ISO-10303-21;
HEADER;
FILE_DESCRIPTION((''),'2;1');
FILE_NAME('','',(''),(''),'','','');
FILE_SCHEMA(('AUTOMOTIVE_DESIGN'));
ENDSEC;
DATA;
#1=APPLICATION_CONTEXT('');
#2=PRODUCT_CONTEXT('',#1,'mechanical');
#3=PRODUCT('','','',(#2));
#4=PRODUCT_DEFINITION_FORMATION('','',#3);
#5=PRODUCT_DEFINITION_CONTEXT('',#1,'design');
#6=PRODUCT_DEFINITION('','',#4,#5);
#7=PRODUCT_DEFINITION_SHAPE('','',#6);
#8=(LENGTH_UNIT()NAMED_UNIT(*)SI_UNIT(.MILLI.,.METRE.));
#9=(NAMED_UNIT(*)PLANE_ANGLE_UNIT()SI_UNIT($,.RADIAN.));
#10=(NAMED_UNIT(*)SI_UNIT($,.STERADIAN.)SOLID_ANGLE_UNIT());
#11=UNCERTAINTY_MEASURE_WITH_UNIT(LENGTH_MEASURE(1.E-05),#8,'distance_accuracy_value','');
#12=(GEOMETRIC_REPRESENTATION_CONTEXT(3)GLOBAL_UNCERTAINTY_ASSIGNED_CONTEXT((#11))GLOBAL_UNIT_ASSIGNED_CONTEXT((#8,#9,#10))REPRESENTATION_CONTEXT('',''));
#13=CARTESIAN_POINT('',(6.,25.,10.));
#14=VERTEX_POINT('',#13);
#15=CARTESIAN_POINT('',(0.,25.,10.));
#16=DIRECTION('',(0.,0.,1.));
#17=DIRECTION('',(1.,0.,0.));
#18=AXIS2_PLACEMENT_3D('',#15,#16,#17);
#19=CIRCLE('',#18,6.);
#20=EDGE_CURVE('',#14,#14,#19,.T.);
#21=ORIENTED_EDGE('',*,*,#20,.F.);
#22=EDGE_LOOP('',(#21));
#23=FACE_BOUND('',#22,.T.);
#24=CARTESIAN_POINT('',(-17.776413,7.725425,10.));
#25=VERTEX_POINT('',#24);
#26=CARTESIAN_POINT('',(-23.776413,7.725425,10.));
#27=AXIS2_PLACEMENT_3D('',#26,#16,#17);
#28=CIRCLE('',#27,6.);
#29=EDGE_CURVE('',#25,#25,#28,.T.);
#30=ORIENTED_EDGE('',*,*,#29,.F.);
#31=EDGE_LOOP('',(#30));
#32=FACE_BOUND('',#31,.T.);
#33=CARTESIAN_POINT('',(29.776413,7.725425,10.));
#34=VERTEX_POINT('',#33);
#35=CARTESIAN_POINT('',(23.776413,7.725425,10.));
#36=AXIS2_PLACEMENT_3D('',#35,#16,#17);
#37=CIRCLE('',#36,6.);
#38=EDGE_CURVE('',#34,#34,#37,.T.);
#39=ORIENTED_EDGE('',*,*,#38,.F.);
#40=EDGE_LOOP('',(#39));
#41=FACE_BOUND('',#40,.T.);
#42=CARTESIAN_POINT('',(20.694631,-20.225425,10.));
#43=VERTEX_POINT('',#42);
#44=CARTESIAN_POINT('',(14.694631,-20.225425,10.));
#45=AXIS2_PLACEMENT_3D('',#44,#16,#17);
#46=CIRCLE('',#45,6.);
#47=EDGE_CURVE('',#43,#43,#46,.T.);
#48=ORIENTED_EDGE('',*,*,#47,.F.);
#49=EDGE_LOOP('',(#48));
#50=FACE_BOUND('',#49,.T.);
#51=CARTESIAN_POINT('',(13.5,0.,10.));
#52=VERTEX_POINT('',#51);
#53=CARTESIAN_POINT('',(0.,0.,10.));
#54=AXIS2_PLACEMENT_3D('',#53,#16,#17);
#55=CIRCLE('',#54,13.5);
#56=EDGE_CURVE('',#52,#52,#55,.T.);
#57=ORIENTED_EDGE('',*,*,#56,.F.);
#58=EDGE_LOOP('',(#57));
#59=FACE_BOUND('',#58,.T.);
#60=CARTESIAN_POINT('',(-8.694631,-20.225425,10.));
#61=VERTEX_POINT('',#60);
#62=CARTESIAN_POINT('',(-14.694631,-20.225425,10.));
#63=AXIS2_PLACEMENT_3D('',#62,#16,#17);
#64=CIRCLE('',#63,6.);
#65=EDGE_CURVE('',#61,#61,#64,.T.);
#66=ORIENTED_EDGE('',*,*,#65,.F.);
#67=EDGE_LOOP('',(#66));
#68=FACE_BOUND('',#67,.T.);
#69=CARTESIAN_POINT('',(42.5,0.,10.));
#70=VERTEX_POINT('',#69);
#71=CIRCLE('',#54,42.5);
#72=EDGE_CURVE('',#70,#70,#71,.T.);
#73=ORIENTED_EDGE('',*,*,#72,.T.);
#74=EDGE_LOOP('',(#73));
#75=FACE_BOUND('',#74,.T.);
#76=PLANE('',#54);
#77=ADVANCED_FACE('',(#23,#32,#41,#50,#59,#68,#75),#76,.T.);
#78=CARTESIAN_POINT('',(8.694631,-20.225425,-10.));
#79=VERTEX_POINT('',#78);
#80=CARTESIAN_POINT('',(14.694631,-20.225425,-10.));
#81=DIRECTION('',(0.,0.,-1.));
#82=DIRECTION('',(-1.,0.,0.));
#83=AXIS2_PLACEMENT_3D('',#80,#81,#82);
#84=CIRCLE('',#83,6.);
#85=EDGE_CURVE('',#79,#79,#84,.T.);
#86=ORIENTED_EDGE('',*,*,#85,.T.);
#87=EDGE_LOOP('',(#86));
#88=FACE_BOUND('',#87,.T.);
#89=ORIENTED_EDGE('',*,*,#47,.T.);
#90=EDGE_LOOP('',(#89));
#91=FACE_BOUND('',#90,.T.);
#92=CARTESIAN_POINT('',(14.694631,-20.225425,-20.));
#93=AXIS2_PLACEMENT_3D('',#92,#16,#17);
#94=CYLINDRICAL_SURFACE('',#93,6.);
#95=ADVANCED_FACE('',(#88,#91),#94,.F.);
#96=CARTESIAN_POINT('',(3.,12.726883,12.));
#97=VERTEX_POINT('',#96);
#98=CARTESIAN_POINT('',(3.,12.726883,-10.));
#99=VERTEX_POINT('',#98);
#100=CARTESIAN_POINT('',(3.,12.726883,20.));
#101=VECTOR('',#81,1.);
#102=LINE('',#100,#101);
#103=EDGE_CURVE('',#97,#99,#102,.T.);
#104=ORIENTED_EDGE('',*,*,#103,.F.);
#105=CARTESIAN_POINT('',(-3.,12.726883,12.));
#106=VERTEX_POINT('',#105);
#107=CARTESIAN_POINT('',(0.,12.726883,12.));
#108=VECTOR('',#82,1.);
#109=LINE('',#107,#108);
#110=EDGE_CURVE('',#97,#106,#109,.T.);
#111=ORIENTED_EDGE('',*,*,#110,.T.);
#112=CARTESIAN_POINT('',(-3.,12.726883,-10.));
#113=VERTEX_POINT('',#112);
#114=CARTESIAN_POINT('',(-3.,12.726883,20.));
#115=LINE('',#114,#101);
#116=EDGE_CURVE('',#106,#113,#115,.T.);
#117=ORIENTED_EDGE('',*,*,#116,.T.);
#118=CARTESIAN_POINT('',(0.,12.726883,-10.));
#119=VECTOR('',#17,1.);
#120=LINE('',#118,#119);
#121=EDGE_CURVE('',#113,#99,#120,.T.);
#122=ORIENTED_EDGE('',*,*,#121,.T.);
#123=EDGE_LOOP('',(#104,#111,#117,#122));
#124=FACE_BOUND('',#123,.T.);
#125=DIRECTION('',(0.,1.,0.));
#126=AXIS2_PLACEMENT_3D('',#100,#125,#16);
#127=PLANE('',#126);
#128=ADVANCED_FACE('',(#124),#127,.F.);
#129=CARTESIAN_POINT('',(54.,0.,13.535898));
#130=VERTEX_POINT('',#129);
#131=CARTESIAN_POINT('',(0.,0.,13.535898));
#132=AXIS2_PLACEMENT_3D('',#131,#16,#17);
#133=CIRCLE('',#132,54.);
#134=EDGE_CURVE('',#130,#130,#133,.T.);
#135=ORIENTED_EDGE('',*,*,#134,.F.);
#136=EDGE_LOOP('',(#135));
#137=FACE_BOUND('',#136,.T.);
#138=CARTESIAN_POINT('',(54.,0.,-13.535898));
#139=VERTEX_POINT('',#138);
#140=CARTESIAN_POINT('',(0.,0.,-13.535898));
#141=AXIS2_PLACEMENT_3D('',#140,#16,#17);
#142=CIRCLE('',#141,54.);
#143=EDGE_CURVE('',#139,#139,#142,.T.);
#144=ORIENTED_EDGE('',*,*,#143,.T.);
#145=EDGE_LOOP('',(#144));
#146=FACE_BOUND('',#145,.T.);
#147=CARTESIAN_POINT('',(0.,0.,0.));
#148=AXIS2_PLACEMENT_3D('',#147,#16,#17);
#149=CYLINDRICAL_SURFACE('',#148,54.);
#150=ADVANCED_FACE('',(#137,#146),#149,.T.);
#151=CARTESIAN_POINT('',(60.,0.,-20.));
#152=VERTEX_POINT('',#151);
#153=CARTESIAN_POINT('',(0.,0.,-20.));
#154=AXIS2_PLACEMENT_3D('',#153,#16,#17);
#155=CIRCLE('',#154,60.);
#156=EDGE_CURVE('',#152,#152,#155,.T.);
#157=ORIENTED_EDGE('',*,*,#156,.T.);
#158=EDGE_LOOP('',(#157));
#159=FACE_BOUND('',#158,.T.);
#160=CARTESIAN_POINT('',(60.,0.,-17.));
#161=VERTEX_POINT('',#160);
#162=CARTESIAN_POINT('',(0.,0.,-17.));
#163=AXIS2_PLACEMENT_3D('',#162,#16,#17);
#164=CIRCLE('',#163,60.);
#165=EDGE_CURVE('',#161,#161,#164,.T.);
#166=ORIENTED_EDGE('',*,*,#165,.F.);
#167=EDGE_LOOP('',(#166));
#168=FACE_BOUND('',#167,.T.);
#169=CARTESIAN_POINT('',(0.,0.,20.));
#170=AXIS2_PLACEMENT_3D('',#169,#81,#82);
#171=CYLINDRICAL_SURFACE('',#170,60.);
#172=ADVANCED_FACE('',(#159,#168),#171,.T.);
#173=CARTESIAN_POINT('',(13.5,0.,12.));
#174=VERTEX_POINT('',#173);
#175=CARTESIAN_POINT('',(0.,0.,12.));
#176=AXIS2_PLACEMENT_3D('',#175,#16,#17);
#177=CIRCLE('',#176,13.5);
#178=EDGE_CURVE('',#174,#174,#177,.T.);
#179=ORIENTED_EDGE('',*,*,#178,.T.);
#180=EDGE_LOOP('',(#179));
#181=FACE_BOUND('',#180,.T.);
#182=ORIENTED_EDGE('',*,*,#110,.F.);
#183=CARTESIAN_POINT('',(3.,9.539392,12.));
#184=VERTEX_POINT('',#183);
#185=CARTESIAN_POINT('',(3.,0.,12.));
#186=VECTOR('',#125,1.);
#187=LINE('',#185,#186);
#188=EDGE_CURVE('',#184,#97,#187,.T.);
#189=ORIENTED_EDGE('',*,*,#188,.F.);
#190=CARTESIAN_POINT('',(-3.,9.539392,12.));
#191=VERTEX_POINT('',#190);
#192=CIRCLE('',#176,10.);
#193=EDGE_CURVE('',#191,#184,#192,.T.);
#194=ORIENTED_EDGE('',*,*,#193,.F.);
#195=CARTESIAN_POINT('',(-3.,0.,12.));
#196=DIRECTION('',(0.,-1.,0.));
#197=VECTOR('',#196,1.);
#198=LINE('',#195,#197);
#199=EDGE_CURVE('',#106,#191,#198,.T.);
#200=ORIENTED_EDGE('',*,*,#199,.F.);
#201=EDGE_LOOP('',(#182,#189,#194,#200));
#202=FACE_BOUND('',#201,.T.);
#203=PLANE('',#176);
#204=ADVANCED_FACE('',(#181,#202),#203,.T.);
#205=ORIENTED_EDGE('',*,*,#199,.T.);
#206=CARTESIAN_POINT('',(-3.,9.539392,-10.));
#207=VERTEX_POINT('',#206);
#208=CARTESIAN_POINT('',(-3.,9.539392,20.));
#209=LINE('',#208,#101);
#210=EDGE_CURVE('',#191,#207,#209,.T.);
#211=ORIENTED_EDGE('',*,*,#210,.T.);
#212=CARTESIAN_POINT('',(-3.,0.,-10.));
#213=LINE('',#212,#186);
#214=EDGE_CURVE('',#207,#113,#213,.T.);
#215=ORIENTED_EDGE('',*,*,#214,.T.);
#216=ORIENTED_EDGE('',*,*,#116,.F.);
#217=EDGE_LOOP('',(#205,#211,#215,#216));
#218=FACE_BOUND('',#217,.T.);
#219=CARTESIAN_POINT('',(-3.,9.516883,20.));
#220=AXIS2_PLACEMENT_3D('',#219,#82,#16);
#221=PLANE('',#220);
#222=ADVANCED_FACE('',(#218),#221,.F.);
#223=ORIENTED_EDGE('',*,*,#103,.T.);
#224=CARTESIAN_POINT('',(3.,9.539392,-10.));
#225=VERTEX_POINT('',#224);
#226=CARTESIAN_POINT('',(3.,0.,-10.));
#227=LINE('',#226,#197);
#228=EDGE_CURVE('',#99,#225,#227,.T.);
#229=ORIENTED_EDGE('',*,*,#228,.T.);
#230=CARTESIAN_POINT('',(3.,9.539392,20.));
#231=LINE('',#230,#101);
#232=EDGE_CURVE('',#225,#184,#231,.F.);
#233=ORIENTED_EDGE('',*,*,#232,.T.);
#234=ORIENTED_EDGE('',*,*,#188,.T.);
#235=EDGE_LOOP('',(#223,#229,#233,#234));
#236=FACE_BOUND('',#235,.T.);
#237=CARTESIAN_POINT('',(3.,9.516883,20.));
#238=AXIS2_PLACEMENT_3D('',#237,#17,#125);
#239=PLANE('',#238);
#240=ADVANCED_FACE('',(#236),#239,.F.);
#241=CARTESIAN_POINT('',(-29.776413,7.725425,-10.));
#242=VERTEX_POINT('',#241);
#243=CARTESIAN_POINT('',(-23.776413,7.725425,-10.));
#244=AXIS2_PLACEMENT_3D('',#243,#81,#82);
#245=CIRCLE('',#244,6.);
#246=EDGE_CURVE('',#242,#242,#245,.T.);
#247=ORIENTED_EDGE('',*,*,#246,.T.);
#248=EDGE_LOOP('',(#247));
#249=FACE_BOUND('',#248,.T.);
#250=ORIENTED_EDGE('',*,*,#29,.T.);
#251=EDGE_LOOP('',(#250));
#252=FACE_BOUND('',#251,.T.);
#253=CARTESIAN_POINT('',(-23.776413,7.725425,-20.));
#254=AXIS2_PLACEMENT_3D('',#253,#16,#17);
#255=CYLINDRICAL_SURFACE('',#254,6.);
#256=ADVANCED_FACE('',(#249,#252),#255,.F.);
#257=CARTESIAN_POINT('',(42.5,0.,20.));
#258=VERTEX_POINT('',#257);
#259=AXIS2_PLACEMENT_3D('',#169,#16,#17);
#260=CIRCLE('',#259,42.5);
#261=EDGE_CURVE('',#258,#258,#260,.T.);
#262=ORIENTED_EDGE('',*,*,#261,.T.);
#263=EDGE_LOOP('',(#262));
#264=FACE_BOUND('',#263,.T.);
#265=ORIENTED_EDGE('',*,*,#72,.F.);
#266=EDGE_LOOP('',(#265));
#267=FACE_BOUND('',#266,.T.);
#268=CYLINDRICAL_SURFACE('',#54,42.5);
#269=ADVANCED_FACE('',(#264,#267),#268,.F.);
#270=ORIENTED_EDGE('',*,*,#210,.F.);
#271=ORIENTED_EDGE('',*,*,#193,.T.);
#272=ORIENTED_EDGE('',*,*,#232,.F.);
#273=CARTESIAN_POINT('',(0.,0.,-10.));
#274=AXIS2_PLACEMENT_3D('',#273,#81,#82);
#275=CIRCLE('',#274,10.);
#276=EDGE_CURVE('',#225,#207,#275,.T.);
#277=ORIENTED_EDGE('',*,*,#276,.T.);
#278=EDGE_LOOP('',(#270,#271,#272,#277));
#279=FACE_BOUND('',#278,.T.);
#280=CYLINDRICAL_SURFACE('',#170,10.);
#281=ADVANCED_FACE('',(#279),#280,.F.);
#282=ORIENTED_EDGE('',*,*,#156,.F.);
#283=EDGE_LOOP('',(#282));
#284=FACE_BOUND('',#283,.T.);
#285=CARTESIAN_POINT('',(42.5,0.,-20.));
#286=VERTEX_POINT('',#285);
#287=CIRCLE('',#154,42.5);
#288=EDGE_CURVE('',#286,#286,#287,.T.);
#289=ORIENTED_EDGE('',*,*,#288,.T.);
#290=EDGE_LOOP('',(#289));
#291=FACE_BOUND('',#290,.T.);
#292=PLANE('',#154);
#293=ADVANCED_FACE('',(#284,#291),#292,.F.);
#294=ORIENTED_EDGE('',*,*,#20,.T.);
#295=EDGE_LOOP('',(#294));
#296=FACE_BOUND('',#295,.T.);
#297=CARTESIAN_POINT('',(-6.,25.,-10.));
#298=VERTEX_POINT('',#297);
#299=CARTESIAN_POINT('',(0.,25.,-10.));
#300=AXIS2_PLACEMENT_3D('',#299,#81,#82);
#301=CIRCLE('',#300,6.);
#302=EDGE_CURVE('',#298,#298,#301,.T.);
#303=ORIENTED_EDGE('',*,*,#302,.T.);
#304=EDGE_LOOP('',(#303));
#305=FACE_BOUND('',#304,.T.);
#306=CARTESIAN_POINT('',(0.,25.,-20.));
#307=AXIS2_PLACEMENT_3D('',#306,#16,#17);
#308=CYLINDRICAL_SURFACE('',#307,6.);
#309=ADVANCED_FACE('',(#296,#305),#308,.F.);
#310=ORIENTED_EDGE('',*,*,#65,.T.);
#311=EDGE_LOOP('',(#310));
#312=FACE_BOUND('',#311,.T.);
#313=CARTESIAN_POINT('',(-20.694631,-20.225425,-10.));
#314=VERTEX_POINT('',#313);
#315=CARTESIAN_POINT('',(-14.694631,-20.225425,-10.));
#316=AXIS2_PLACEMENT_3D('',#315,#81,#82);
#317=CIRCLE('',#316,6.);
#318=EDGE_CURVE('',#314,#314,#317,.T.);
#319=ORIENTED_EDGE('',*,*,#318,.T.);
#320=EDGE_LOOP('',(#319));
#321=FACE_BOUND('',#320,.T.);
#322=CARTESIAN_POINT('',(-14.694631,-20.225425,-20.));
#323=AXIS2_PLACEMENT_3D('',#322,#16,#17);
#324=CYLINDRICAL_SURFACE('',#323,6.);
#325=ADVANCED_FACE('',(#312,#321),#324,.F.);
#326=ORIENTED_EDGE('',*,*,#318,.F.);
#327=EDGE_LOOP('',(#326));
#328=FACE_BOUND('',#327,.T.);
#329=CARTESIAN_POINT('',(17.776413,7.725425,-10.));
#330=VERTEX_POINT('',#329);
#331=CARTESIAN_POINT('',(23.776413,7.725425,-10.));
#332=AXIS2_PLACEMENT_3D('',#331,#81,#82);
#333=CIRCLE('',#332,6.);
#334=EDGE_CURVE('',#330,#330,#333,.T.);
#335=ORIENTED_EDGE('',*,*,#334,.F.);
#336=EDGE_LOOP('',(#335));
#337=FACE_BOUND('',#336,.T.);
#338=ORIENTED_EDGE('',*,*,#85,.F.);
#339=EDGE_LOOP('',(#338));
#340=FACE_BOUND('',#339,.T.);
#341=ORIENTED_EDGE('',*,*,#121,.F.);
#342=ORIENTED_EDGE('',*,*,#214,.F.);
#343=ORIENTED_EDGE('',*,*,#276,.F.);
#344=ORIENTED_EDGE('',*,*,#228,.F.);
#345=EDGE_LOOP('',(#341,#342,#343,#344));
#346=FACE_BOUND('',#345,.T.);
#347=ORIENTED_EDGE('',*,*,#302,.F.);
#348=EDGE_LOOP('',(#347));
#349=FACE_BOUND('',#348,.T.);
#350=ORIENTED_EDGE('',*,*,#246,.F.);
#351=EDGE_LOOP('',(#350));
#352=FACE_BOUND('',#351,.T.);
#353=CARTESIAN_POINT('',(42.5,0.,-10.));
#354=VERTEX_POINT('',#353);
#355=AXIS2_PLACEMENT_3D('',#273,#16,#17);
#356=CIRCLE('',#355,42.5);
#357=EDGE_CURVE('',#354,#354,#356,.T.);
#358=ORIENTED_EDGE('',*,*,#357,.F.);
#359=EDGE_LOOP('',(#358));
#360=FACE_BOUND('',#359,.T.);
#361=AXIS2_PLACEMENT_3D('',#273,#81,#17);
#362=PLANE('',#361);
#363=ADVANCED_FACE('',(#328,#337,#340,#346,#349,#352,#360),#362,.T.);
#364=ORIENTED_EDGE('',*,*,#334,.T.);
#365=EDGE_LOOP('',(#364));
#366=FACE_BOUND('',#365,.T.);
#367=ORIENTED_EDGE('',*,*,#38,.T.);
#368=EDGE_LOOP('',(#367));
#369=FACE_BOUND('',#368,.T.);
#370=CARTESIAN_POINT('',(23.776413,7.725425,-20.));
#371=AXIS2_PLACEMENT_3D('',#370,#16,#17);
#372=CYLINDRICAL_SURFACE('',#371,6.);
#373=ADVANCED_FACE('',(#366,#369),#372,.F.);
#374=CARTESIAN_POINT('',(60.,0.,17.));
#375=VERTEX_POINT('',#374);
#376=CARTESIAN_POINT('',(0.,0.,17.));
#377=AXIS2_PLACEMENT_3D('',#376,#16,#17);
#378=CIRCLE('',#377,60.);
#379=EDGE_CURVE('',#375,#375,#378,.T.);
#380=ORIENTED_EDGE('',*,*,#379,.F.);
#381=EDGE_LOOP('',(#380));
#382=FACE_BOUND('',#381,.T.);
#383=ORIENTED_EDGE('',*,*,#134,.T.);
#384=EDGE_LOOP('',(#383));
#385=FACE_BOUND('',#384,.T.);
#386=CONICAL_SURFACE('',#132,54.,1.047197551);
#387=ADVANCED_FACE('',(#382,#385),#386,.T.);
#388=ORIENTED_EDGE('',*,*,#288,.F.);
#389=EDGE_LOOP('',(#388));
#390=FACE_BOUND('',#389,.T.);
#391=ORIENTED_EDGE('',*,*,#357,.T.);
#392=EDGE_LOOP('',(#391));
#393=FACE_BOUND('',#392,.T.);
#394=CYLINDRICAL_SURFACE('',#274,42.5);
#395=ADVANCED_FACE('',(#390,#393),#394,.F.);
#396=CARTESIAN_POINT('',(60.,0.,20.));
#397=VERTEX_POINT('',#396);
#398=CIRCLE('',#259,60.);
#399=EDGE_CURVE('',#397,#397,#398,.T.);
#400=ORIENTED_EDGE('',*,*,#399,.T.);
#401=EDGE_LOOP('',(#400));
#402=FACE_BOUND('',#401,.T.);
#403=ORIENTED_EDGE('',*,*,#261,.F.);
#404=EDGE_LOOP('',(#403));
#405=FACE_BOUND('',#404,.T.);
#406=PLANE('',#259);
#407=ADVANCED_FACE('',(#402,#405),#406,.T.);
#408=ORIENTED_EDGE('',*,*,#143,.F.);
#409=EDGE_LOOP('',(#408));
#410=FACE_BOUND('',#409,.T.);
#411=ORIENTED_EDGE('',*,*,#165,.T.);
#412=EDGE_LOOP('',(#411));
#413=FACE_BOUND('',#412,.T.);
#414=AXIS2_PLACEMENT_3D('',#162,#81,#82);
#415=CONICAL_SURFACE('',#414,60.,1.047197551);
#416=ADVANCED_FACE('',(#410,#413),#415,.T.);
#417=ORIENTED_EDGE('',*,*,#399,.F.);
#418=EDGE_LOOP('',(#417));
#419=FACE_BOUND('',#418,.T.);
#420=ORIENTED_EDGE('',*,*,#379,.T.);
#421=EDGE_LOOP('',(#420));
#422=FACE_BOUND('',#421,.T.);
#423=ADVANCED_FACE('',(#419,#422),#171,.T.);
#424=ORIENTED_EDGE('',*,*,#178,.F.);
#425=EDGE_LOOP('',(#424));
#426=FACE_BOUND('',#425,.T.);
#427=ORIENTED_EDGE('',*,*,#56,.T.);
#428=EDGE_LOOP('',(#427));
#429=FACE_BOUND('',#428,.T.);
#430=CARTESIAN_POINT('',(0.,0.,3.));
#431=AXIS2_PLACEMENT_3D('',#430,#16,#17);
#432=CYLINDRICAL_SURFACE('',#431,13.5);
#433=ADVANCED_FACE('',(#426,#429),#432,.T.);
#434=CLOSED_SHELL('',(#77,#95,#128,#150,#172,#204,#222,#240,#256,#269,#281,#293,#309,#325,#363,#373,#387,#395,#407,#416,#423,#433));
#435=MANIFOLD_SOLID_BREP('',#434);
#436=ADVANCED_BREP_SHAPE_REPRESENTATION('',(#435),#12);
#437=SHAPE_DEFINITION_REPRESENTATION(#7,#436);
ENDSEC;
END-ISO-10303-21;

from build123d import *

# Parameters (mm, degrees)
SKETCH2_R                = 60
SKETCH2_R_2              = 10
BOSS_EXTRUDE1_DEPTH      = 20
SKETCH3_R                = 42.5
CUT_EXTRUDE1_DEPTH       = 10
CUT_EXTRUDE2_START       = -31
SKETCH4_R                = 6
CUT_EXTRUDE2_DEPTH       = 42
CIRPATTERN2_COUNT        = 5
SKETCH6_R                = 13.5
SKETCH6_R_2              = 10
BOSS_EXTRUDE3_DEPTH      = 2
BOSS_EXTRUDE3_DEPTH_BACK = 7
SKETCH8_W                = 6
SKETCH8_H                = 3.21
CUT_EXTRUDE3_DEPTH       = 11
CUT_EXTRUDE3_DEPTH_BACK  = 31


with BuildPart() as part:
    # Sketch2 → Boss-Extrude1 (new body, symmetric)
    with BuildSketch(Plane.XY):
        Circle(SKETCH2_R)
        Circle(SKETCH2_R_2, mode=Mode.SUBTRACT)
    extrude(amount=BOSS_EXTRUDE1_DEPTH, both=True)

    # Sketch3 → Cut-Extrude1 (cut)
    with BuildSketch(Plane.XY.offset(20)):
        Circle(SKETCH3_R)
    cut_extrude1 = extrude(amount=-CUT_EXTRUDE1_DEPTH, mode=Mode.SUBTRACT)

    # Mirror2: Cut-Extrude1 across plane
    add(cut_extrude1.mirror(Plane.XY), mode=Mode.SUBTRACT)

    # Sketch4 → Cut-Extrude2 (cut)
    with BuildSketch(Plane.XY.offset(10).offset(CUT_EXTRUDE2_START)):
        with Locations((0, 25)):
            Circle(SKETCH4_R)
    cut_extrude2 = extrude(amount=CUT_EXTRUDE2_DEPTH, mode=Mode.SUBTRACT)

    # CirPattern2: Cut-Extrude2 ×5 about axis
    cirpattern2_axis = Axis((0, 0, 0), (0, 0, 1))
    for i in range(1, CIRPATTERN2_COUNT):
        add(cut_extrude2.rotate(cirpattern2_axis, i * 360 / CIRPATTERN2_COUNT), mode=Mode.SUBTRACT)

    # Sketch5 → Cut-Revolve1 (revolve, cut)
    with BuildSketch(Plane(origin=(0, 0, 0), x_dir=(1, 0, 0), z_dir=(0, 1, 0))):
        Polygon((54, 13.535898385), (60, 17), (60, -17), (54, -13.535898385), align=None)
    revolve(axis=Axis((0, 0, 0), (0, 0, -1)), mode=Mode.SUBTRACT)

    # Sketch6 → Boss-Extrude3 (add, two sides)
    with BuildSketch(Plane.XY.offset(10)) as boss_extrude3_sk:
        Circle(SKETCH6_R)
        Circle(SKETCH6_R_2, mode=Mode.SUBTRACT)
    extrude(amount=BOSS_EXTRUDE3_DEPTH)
    extrude(boss_extrude3_sk.sketch, amount=-BOSS_EXTRUDE3_DEPTH_BACK)

    # Sketch8 → Cut-Extrude3 (cut, two sides)
    with BuildSketch(Plane(origin=(0, 0, -10), x_dir=(-1, 0, 0), z_dir=(0, 0, -1))) as cut_extrude3_sk:
        with Locations((0, 11.121882551)):
            Rectangle(SKETCH8_W, SKETCH8_H)
    extrude(amount=CUT_EXTRUDE3_DEPTH, mode=Mode.SUBTRACT)
    extrude(cut_extrude3_sk.sketch, amount=-CUT_EXTRUDE3_DEPTH_BACK, mode=Mode.SUBTRACT)


solid = part.part
